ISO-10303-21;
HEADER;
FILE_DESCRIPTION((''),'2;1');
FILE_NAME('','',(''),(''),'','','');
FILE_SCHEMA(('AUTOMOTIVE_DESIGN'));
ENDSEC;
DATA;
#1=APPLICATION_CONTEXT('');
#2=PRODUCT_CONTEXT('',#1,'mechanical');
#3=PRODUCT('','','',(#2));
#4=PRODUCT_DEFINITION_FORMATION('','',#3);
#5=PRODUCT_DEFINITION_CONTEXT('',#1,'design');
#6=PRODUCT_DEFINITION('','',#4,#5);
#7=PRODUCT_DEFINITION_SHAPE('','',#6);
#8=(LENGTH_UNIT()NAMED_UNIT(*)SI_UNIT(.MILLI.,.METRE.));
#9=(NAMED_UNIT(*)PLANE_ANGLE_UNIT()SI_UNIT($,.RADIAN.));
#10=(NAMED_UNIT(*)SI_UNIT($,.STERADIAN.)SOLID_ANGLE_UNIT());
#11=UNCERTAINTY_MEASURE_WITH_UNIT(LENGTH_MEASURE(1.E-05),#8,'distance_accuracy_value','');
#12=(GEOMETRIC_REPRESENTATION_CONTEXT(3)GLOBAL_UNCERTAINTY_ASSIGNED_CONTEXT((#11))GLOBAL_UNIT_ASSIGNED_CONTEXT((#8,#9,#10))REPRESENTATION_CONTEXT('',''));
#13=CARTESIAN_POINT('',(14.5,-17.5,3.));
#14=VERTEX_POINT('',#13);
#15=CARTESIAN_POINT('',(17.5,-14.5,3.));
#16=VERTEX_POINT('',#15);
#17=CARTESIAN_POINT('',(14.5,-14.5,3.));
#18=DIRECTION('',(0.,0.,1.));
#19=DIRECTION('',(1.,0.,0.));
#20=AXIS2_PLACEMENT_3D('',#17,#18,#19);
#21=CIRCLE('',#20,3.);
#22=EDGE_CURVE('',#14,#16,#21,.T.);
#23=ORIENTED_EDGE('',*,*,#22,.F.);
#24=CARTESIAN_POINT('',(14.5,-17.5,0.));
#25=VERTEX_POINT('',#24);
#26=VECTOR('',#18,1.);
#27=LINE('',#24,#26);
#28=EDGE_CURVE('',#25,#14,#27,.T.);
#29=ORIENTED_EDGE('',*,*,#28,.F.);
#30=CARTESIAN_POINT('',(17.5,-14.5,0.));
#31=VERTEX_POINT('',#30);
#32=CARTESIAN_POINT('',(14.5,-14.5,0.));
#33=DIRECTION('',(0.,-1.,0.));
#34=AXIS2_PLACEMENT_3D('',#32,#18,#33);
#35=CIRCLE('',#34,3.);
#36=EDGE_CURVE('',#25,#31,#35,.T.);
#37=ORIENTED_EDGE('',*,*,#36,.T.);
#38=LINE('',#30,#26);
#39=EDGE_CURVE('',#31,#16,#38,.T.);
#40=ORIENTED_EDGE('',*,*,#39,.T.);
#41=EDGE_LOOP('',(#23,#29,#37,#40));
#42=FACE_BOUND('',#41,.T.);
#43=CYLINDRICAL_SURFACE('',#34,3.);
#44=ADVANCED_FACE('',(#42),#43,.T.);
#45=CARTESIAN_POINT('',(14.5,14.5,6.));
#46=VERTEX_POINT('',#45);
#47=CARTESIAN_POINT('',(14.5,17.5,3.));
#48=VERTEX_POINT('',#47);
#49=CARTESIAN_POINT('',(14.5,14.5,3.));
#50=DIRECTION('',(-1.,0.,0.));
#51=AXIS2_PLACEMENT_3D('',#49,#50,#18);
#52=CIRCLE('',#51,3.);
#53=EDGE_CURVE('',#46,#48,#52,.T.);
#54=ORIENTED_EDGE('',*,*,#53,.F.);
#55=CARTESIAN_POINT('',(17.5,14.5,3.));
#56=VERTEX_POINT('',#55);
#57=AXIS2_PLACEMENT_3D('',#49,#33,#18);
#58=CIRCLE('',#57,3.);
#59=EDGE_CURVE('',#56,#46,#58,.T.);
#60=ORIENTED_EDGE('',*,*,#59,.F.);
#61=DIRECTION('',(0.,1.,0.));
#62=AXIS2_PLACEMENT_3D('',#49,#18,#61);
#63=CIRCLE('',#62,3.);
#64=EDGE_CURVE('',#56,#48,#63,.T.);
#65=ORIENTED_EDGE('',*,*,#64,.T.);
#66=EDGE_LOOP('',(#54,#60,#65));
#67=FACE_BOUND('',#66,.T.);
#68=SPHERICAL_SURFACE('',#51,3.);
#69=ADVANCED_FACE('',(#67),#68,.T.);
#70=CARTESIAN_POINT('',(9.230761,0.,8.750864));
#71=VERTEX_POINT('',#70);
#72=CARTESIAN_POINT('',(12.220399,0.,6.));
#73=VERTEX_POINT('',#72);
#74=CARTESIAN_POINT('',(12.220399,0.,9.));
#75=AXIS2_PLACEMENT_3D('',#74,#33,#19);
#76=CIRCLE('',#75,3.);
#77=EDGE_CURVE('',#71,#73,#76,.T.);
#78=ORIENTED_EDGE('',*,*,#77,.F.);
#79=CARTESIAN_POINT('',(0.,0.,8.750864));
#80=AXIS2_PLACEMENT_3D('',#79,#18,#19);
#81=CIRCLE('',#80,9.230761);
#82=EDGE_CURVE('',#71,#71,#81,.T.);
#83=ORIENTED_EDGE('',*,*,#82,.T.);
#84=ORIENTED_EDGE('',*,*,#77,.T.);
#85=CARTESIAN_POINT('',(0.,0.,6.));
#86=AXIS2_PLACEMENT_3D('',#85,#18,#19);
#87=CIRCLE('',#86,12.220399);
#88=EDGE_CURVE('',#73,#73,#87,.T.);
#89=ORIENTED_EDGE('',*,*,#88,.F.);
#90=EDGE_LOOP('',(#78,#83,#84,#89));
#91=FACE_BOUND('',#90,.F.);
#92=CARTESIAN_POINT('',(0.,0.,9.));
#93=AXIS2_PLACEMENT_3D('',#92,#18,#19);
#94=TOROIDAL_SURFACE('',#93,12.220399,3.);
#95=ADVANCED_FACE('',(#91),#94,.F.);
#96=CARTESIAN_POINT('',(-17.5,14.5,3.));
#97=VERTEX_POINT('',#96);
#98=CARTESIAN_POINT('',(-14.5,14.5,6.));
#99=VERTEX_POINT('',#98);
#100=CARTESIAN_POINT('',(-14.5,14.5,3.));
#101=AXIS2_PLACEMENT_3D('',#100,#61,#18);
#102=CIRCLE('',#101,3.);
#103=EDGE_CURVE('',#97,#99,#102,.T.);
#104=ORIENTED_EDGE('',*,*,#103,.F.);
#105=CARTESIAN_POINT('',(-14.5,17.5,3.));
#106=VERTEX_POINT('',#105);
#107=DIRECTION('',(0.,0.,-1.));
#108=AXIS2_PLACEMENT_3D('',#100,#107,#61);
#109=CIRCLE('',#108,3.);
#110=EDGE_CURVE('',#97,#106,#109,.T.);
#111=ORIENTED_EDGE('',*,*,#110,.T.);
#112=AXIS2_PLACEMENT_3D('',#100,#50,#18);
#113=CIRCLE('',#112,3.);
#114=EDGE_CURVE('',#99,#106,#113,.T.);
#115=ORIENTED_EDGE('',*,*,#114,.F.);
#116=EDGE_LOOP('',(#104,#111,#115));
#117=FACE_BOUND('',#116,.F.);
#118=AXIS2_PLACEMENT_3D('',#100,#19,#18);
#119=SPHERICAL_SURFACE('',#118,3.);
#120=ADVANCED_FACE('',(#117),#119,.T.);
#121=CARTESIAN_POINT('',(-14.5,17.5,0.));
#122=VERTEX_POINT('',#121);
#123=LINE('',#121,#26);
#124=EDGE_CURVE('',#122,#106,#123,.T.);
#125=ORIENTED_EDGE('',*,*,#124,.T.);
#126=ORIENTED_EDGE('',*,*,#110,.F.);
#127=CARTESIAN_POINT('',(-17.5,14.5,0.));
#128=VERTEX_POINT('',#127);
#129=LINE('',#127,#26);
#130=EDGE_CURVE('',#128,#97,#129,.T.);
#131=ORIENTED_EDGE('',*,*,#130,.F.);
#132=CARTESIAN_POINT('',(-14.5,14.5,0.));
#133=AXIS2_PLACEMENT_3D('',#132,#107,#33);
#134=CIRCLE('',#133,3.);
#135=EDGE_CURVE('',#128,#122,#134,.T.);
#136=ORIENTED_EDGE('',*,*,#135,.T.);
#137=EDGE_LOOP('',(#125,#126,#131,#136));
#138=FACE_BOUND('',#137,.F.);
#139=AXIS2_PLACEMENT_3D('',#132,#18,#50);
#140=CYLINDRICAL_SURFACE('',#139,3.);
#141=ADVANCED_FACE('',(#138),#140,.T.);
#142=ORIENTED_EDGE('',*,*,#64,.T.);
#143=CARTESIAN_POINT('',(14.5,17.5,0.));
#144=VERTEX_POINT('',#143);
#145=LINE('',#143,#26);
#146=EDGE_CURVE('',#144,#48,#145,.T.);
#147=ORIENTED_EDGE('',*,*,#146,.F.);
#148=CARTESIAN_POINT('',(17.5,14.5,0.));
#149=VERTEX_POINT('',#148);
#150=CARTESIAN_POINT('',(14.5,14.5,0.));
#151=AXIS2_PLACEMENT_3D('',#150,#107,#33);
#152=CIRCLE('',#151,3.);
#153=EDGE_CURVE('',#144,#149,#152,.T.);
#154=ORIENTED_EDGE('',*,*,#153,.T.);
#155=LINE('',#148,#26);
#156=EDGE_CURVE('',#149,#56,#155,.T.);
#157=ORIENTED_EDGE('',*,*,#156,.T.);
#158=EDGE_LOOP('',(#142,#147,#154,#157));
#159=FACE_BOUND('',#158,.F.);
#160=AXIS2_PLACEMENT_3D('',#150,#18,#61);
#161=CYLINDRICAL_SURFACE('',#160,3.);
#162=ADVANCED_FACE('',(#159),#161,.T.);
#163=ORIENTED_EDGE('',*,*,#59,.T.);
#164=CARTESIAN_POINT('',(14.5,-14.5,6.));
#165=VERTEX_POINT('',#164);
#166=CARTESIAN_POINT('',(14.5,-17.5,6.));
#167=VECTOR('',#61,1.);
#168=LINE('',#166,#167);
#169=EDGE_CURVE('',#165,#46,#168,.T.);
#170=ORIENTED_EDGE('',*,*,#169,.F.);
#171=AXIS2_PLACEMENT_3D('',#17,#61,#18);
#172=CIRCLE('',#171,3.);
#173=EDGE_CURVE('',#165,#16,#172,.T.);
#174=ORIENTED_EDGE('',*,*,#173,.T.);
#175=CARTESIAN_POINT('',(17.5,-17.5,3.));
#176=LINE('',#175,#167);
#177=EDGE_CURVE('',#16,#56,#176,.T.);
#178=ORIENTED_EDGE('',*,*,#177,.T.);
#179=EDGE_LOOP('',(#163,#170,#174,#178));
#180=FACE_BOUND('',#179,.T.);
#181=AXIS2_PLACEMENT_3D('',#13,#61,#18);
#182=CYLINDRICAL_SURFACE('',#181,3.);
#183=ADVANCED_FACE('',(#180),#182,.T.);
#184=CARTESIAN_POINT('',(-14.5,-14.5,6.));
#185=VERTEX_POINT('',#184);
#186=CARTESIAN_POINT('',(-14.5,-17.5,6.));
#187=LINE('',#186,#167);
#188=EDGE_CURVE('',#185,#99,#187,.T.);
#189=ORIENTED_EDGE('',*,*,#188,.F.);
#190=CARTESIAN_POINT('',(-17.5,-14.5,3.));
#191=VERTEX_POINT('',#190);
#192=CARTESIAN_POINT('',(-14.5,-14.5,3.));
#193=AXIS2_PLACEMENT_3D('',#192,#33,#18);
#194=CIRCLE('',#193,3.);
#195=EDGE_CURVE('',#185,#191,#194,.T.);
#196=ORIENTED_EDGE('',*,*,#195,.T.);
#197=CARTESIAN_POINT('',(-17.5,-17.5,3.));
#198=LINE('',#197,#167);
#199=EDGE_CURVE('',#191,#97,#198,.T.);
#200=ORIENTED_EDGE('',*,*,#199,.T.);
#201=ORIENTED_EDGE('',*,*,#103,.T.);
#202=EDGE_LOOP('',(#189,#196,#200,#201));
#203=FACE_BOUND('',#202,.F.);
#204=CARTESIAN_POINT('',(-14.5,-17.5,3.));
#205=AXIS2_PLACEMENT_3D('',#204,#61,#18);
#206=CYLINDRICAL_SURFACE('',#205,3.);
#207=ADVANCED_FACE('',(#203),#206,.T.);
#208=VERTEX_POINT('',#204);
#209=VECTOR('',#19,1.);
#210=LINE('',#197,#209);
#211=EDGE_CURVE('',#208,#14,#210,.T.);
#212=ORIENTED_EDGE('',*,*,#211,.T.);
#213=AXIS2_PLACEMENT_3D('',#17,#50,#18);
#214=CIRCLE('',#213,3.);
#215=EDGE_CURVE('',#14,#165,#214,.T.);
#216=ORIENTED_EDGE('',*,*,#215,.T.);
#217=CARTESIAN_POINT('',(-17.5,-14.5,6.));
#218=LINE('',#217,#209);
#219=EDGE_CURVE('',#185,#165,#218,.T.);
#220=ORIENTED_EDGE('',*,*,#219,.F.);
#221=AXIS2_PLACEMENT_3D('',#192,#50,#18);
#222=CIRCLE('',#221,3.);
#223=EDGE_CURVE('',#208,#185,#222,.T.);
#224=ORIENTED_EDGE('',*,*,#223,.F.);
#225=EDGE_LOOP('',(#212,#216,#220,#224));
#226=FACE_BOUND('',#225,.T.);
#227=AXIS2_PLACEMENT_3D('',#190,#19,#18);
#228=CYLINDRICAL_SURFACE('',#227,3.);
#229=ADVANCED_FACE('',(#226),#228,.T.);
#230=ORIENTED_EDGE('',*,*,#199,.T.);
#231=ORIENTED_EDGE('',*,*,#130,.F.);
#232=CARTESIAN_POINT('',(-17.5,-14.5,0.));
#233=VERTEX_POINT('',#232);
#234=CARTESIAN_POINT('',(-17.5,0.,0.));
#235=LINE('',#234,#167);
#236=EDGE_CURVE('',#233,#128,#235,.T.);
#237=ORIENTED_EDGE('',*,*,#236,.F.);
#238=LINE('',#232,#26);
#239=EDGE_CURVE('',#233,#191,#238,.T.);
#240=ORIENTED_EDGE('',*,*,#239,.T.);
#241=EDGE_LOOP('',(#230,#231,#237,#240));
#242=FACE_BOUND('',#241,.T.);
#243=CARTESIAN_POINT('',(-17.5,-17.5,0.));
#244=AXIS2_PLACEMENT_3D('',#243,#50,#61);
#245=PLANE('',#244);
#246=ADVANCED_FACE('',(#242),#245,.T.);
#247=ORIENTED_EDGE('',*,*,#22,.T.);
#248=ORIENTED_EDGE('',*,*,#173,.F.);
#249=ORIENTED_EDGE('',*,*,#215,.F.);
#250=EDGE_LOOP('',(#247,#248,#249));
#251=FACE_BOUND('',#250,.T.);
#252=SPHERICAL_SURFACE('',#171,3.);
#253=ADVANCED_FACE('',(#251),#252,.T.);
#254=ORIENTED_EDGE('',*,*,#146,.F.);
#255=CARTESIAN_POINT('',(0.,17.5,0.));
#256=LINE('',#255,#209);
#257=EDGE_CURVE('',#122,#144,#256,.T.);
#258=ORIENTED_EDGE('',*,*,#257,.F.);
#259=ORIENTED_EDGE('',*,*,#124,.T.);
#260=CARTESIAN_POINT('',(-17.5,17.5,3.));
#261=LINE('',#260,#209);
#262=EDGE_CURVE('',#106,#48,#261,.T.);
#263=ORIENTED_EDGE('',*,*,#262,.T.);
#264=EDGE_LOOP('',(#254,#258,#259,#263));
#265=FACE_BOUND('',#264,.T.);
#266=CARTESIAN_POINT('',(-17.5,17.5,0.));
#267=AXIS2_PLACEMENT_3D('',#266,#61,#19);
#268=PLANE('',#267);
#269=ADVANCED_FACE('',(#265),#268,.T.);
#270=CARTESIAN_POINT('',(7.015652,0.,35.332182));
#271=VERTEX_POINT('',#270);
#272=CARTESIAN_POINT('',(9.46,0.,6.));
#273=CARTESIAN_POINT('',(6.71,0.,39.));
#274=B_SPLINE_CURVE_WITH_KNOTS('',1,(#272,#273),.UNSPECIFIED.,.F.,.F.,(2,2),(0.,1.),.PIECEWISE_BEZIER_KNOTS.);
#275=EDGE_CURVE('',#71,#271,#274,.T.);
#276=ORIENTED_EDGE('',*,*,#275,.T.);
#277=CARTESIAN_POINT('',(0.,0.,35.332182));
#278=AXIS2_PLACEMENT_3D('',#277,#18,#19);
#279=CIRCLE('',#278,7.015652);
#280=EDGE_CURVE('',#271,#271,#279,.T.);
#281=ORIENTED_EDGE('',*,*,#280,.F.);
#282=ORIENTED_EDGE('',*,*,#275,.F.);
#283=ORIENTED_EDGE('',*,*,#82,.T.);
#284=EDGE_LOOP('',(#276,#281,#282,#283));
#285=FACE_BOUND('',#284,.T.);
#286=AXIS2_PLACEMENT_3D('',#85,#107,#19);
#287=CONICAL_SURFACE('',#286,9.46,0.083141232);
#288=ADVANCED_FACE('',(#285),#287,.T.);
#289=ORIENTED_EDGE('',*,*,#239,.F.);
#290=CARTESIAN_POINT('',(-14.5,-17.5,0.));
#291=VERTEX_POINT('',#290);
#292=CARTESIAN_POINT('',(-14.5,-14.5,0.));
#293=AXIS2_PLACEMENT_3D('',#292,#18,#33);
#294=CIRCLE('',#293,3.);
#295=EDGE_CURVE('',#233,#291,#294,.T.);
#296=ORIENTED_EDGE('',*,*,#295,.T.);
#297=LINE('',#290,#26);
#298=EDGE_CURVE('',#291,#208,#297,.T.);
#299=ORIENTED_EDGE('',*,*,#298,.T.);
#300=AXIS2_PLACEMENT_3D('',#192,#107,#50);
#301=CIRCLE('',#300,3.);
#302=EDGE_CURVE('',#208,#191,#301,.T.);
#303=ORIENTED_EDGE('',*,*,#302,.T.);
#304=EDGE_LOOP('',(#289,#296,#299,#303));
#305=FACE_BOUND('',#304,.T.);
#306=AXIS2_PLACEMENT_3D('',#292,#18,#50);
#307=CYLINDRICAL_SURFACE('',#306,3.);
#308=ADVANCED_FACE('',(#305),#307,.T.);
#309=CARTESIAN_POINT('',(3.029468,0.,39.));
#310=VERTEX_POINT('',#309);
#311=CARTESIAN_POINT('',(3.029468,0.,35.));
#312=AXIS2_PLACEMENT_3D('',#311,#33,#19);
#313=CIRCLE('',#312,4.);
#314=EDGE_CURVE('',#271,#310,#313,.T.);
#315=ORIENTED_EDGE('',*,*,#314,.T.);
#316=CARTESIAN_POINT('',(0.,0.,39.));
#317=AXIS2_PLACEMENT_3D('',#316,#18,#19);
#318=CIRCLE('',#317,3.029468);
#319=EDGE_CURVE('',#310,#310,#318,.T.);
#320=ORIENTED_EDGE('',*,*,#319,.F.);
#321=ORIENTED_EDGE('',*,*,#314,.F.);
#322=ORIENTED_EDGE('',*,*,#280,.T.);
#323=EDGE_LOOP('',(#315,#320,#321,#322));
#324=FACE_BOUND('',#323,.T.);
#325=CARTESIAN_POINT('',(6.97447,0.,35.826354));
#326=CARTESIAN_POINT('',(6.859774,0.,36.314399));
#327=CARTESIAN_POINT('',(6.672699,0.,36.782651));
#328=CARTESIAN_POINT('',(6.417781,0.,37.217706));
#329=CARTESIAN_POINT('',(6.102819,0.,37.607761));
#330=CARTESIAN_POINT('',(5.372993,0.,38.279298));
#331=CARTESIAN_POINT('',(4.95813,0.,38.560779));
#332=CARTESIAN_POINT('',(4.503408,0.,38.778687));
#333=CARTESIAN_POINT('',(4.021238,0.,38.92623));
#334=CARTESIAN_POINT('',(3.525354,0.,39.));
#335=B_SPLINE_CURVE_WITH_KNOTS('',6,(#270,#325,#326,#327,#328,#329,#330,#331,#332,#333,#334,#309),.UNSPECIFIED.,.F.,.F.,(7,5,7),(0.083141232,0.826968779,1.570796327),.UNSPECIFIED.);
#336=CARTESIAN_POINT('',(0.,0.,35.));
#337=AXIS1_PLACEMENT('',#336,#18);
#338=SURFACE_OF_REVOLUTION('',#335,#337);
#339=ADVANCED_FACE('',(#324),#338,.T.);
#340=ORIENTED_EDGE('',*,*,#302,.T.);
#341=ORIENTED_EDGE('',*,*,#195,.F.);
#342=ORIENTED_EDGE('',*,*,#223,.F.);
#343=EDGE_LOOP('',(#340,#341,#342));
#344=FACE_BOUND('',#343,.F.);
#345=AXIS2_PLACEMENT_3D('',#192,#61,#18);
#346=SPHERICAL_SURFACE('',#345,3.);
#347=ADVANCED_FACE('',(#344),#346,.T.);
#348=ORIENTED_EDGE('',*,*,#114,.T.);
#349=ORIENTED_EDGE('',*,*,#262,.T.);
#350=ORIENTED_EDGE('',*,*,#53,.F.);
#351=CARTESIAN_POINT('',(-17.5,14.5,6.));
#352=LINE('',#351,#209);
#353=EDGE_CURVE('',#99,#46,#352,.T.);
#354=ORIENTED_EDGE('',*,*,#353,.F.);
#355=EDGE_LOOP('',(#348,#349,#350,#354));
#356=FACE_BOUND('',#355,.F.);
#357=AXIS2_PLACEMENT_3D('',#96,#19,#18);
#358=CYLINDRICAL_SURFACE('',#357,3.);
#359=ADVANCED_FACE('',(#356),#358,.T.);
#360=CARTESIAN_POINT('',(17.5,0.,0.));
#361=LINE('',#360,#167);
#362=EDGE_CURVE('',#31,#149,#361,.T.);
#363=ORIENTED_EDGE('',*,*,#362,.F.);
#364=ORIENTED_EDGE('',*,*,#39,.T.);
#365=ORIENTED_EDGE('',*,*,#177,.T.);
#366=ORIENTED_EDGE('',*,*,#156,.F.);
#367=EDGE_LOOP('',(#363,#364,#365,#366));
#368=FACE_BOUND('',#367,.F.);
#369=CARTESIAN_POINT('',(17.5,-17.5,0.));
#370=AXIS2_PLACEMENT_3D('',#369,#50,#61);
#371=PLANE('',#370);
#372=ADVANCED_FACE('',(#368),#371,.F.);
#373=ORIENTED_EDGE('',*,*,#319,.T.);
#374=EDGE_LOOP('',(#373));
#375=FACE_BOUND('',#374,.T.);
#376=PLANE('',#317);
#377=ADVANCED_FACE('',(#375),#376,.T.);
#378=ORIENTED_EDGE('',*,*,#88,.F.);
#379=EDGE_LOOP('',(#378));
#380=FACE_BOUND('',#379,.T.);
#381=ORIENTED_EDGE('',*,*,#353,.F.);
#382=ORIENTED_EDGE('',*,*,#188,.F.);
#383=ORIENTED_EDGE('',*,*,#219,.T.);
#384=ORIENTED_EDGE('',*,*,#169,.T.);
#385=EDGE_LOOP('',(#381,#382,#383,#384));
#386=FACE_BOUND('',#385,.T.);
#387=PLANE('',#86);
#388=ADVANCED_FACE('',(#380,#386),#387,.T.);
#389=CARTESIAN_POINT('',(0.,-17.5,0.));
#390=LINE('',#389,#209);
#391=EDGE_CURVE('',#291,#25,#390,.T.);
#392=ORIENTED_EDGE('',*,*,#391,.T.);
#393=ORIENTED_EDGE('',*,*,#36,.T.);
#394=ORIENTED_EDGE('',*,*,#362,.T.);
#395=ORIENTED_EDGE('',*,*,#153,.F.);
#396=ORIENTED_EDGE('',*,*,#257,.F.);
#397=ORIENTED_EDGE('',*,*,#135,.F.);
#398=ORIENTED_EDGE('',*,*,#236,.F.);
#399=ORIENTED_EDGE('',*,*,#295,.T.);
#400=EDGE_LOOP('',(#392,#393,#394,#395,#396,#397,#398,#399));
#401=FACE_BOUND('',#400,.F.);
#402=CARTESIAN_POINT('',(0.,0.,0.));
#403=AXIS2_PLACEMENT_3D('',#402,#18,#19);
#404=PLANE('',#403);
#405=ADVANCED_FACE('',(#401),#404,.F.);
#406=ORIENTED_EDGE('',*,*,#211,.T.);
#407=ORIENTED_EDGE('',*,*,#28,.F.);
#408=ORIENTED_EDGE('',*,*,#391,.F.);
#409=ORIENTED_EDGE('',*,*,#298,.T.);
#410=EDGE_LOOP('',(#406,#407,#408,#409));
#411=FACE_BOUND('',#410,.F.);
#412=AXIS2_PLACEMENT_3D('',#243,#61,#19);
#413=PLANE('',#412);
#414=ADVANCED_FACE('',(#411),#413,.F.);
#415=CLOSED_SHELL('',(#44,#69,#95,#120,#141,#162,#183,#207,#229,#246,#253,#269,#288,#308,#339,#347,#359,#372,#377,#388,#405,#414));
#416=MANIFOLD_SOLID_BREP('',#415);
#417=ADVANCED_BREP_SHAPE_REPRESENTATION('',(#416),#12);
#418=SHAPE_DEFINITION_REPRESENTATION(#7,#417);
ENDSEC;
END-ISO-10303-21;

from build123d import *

# Parameters (mm, degrees)
F0_W     = 35
F0_H     = 35
F0_R     = 7.96
F1_DEPTH = 6
F2_R     = 9.46
F4_R     = 6.71
F6_R     = 4
F7_R     = 3


with BuildPart() as f1:
    # F0 (on Top) → F1 (new body)
    with BuildSketch(Plane.XY):
        Rectangle(F0_W, F0_H)
        Circle(F0_R, mode=Mode.SUBTRACT)
        Circle(F0_R)
    extrude(amount=F1_DEPTH)

    # F2 (on face) → F5 section 0
    with BuildSketch(Plane.XY.offset(6)):
        Circle(F2_R)
    # F4 (on offset) → F5 section 1
    with BuildSketch(Plane.XY.offset(39)):
        Circle(F4_R)
    loft()

    # F6
    f6_edges = [f1.edges().sort_by_distance(p)[0] for p in [
        (-6.71, 0, 39),
    ]]
    fillet(f6_edges, radius=F6_R)

    # F7
    f7_edges = [f1.edges().sort_by_distance(p)[0] for p in [
        (0, 17.5, 6),
        (17.5, 0, 6),
        (-17.5, 0, 6),
        (0, -17.5, 6),
        (-9.46, 0, 6),
        (-17.5, -17.5, 3),
        (-17.5, 17.5, 3),
        (17.5, -17.5, 3),
        (17.5, 17.5, 3),
    ]]
    fillet(f7_edges, radius=F7_R)


solid = f1.part
